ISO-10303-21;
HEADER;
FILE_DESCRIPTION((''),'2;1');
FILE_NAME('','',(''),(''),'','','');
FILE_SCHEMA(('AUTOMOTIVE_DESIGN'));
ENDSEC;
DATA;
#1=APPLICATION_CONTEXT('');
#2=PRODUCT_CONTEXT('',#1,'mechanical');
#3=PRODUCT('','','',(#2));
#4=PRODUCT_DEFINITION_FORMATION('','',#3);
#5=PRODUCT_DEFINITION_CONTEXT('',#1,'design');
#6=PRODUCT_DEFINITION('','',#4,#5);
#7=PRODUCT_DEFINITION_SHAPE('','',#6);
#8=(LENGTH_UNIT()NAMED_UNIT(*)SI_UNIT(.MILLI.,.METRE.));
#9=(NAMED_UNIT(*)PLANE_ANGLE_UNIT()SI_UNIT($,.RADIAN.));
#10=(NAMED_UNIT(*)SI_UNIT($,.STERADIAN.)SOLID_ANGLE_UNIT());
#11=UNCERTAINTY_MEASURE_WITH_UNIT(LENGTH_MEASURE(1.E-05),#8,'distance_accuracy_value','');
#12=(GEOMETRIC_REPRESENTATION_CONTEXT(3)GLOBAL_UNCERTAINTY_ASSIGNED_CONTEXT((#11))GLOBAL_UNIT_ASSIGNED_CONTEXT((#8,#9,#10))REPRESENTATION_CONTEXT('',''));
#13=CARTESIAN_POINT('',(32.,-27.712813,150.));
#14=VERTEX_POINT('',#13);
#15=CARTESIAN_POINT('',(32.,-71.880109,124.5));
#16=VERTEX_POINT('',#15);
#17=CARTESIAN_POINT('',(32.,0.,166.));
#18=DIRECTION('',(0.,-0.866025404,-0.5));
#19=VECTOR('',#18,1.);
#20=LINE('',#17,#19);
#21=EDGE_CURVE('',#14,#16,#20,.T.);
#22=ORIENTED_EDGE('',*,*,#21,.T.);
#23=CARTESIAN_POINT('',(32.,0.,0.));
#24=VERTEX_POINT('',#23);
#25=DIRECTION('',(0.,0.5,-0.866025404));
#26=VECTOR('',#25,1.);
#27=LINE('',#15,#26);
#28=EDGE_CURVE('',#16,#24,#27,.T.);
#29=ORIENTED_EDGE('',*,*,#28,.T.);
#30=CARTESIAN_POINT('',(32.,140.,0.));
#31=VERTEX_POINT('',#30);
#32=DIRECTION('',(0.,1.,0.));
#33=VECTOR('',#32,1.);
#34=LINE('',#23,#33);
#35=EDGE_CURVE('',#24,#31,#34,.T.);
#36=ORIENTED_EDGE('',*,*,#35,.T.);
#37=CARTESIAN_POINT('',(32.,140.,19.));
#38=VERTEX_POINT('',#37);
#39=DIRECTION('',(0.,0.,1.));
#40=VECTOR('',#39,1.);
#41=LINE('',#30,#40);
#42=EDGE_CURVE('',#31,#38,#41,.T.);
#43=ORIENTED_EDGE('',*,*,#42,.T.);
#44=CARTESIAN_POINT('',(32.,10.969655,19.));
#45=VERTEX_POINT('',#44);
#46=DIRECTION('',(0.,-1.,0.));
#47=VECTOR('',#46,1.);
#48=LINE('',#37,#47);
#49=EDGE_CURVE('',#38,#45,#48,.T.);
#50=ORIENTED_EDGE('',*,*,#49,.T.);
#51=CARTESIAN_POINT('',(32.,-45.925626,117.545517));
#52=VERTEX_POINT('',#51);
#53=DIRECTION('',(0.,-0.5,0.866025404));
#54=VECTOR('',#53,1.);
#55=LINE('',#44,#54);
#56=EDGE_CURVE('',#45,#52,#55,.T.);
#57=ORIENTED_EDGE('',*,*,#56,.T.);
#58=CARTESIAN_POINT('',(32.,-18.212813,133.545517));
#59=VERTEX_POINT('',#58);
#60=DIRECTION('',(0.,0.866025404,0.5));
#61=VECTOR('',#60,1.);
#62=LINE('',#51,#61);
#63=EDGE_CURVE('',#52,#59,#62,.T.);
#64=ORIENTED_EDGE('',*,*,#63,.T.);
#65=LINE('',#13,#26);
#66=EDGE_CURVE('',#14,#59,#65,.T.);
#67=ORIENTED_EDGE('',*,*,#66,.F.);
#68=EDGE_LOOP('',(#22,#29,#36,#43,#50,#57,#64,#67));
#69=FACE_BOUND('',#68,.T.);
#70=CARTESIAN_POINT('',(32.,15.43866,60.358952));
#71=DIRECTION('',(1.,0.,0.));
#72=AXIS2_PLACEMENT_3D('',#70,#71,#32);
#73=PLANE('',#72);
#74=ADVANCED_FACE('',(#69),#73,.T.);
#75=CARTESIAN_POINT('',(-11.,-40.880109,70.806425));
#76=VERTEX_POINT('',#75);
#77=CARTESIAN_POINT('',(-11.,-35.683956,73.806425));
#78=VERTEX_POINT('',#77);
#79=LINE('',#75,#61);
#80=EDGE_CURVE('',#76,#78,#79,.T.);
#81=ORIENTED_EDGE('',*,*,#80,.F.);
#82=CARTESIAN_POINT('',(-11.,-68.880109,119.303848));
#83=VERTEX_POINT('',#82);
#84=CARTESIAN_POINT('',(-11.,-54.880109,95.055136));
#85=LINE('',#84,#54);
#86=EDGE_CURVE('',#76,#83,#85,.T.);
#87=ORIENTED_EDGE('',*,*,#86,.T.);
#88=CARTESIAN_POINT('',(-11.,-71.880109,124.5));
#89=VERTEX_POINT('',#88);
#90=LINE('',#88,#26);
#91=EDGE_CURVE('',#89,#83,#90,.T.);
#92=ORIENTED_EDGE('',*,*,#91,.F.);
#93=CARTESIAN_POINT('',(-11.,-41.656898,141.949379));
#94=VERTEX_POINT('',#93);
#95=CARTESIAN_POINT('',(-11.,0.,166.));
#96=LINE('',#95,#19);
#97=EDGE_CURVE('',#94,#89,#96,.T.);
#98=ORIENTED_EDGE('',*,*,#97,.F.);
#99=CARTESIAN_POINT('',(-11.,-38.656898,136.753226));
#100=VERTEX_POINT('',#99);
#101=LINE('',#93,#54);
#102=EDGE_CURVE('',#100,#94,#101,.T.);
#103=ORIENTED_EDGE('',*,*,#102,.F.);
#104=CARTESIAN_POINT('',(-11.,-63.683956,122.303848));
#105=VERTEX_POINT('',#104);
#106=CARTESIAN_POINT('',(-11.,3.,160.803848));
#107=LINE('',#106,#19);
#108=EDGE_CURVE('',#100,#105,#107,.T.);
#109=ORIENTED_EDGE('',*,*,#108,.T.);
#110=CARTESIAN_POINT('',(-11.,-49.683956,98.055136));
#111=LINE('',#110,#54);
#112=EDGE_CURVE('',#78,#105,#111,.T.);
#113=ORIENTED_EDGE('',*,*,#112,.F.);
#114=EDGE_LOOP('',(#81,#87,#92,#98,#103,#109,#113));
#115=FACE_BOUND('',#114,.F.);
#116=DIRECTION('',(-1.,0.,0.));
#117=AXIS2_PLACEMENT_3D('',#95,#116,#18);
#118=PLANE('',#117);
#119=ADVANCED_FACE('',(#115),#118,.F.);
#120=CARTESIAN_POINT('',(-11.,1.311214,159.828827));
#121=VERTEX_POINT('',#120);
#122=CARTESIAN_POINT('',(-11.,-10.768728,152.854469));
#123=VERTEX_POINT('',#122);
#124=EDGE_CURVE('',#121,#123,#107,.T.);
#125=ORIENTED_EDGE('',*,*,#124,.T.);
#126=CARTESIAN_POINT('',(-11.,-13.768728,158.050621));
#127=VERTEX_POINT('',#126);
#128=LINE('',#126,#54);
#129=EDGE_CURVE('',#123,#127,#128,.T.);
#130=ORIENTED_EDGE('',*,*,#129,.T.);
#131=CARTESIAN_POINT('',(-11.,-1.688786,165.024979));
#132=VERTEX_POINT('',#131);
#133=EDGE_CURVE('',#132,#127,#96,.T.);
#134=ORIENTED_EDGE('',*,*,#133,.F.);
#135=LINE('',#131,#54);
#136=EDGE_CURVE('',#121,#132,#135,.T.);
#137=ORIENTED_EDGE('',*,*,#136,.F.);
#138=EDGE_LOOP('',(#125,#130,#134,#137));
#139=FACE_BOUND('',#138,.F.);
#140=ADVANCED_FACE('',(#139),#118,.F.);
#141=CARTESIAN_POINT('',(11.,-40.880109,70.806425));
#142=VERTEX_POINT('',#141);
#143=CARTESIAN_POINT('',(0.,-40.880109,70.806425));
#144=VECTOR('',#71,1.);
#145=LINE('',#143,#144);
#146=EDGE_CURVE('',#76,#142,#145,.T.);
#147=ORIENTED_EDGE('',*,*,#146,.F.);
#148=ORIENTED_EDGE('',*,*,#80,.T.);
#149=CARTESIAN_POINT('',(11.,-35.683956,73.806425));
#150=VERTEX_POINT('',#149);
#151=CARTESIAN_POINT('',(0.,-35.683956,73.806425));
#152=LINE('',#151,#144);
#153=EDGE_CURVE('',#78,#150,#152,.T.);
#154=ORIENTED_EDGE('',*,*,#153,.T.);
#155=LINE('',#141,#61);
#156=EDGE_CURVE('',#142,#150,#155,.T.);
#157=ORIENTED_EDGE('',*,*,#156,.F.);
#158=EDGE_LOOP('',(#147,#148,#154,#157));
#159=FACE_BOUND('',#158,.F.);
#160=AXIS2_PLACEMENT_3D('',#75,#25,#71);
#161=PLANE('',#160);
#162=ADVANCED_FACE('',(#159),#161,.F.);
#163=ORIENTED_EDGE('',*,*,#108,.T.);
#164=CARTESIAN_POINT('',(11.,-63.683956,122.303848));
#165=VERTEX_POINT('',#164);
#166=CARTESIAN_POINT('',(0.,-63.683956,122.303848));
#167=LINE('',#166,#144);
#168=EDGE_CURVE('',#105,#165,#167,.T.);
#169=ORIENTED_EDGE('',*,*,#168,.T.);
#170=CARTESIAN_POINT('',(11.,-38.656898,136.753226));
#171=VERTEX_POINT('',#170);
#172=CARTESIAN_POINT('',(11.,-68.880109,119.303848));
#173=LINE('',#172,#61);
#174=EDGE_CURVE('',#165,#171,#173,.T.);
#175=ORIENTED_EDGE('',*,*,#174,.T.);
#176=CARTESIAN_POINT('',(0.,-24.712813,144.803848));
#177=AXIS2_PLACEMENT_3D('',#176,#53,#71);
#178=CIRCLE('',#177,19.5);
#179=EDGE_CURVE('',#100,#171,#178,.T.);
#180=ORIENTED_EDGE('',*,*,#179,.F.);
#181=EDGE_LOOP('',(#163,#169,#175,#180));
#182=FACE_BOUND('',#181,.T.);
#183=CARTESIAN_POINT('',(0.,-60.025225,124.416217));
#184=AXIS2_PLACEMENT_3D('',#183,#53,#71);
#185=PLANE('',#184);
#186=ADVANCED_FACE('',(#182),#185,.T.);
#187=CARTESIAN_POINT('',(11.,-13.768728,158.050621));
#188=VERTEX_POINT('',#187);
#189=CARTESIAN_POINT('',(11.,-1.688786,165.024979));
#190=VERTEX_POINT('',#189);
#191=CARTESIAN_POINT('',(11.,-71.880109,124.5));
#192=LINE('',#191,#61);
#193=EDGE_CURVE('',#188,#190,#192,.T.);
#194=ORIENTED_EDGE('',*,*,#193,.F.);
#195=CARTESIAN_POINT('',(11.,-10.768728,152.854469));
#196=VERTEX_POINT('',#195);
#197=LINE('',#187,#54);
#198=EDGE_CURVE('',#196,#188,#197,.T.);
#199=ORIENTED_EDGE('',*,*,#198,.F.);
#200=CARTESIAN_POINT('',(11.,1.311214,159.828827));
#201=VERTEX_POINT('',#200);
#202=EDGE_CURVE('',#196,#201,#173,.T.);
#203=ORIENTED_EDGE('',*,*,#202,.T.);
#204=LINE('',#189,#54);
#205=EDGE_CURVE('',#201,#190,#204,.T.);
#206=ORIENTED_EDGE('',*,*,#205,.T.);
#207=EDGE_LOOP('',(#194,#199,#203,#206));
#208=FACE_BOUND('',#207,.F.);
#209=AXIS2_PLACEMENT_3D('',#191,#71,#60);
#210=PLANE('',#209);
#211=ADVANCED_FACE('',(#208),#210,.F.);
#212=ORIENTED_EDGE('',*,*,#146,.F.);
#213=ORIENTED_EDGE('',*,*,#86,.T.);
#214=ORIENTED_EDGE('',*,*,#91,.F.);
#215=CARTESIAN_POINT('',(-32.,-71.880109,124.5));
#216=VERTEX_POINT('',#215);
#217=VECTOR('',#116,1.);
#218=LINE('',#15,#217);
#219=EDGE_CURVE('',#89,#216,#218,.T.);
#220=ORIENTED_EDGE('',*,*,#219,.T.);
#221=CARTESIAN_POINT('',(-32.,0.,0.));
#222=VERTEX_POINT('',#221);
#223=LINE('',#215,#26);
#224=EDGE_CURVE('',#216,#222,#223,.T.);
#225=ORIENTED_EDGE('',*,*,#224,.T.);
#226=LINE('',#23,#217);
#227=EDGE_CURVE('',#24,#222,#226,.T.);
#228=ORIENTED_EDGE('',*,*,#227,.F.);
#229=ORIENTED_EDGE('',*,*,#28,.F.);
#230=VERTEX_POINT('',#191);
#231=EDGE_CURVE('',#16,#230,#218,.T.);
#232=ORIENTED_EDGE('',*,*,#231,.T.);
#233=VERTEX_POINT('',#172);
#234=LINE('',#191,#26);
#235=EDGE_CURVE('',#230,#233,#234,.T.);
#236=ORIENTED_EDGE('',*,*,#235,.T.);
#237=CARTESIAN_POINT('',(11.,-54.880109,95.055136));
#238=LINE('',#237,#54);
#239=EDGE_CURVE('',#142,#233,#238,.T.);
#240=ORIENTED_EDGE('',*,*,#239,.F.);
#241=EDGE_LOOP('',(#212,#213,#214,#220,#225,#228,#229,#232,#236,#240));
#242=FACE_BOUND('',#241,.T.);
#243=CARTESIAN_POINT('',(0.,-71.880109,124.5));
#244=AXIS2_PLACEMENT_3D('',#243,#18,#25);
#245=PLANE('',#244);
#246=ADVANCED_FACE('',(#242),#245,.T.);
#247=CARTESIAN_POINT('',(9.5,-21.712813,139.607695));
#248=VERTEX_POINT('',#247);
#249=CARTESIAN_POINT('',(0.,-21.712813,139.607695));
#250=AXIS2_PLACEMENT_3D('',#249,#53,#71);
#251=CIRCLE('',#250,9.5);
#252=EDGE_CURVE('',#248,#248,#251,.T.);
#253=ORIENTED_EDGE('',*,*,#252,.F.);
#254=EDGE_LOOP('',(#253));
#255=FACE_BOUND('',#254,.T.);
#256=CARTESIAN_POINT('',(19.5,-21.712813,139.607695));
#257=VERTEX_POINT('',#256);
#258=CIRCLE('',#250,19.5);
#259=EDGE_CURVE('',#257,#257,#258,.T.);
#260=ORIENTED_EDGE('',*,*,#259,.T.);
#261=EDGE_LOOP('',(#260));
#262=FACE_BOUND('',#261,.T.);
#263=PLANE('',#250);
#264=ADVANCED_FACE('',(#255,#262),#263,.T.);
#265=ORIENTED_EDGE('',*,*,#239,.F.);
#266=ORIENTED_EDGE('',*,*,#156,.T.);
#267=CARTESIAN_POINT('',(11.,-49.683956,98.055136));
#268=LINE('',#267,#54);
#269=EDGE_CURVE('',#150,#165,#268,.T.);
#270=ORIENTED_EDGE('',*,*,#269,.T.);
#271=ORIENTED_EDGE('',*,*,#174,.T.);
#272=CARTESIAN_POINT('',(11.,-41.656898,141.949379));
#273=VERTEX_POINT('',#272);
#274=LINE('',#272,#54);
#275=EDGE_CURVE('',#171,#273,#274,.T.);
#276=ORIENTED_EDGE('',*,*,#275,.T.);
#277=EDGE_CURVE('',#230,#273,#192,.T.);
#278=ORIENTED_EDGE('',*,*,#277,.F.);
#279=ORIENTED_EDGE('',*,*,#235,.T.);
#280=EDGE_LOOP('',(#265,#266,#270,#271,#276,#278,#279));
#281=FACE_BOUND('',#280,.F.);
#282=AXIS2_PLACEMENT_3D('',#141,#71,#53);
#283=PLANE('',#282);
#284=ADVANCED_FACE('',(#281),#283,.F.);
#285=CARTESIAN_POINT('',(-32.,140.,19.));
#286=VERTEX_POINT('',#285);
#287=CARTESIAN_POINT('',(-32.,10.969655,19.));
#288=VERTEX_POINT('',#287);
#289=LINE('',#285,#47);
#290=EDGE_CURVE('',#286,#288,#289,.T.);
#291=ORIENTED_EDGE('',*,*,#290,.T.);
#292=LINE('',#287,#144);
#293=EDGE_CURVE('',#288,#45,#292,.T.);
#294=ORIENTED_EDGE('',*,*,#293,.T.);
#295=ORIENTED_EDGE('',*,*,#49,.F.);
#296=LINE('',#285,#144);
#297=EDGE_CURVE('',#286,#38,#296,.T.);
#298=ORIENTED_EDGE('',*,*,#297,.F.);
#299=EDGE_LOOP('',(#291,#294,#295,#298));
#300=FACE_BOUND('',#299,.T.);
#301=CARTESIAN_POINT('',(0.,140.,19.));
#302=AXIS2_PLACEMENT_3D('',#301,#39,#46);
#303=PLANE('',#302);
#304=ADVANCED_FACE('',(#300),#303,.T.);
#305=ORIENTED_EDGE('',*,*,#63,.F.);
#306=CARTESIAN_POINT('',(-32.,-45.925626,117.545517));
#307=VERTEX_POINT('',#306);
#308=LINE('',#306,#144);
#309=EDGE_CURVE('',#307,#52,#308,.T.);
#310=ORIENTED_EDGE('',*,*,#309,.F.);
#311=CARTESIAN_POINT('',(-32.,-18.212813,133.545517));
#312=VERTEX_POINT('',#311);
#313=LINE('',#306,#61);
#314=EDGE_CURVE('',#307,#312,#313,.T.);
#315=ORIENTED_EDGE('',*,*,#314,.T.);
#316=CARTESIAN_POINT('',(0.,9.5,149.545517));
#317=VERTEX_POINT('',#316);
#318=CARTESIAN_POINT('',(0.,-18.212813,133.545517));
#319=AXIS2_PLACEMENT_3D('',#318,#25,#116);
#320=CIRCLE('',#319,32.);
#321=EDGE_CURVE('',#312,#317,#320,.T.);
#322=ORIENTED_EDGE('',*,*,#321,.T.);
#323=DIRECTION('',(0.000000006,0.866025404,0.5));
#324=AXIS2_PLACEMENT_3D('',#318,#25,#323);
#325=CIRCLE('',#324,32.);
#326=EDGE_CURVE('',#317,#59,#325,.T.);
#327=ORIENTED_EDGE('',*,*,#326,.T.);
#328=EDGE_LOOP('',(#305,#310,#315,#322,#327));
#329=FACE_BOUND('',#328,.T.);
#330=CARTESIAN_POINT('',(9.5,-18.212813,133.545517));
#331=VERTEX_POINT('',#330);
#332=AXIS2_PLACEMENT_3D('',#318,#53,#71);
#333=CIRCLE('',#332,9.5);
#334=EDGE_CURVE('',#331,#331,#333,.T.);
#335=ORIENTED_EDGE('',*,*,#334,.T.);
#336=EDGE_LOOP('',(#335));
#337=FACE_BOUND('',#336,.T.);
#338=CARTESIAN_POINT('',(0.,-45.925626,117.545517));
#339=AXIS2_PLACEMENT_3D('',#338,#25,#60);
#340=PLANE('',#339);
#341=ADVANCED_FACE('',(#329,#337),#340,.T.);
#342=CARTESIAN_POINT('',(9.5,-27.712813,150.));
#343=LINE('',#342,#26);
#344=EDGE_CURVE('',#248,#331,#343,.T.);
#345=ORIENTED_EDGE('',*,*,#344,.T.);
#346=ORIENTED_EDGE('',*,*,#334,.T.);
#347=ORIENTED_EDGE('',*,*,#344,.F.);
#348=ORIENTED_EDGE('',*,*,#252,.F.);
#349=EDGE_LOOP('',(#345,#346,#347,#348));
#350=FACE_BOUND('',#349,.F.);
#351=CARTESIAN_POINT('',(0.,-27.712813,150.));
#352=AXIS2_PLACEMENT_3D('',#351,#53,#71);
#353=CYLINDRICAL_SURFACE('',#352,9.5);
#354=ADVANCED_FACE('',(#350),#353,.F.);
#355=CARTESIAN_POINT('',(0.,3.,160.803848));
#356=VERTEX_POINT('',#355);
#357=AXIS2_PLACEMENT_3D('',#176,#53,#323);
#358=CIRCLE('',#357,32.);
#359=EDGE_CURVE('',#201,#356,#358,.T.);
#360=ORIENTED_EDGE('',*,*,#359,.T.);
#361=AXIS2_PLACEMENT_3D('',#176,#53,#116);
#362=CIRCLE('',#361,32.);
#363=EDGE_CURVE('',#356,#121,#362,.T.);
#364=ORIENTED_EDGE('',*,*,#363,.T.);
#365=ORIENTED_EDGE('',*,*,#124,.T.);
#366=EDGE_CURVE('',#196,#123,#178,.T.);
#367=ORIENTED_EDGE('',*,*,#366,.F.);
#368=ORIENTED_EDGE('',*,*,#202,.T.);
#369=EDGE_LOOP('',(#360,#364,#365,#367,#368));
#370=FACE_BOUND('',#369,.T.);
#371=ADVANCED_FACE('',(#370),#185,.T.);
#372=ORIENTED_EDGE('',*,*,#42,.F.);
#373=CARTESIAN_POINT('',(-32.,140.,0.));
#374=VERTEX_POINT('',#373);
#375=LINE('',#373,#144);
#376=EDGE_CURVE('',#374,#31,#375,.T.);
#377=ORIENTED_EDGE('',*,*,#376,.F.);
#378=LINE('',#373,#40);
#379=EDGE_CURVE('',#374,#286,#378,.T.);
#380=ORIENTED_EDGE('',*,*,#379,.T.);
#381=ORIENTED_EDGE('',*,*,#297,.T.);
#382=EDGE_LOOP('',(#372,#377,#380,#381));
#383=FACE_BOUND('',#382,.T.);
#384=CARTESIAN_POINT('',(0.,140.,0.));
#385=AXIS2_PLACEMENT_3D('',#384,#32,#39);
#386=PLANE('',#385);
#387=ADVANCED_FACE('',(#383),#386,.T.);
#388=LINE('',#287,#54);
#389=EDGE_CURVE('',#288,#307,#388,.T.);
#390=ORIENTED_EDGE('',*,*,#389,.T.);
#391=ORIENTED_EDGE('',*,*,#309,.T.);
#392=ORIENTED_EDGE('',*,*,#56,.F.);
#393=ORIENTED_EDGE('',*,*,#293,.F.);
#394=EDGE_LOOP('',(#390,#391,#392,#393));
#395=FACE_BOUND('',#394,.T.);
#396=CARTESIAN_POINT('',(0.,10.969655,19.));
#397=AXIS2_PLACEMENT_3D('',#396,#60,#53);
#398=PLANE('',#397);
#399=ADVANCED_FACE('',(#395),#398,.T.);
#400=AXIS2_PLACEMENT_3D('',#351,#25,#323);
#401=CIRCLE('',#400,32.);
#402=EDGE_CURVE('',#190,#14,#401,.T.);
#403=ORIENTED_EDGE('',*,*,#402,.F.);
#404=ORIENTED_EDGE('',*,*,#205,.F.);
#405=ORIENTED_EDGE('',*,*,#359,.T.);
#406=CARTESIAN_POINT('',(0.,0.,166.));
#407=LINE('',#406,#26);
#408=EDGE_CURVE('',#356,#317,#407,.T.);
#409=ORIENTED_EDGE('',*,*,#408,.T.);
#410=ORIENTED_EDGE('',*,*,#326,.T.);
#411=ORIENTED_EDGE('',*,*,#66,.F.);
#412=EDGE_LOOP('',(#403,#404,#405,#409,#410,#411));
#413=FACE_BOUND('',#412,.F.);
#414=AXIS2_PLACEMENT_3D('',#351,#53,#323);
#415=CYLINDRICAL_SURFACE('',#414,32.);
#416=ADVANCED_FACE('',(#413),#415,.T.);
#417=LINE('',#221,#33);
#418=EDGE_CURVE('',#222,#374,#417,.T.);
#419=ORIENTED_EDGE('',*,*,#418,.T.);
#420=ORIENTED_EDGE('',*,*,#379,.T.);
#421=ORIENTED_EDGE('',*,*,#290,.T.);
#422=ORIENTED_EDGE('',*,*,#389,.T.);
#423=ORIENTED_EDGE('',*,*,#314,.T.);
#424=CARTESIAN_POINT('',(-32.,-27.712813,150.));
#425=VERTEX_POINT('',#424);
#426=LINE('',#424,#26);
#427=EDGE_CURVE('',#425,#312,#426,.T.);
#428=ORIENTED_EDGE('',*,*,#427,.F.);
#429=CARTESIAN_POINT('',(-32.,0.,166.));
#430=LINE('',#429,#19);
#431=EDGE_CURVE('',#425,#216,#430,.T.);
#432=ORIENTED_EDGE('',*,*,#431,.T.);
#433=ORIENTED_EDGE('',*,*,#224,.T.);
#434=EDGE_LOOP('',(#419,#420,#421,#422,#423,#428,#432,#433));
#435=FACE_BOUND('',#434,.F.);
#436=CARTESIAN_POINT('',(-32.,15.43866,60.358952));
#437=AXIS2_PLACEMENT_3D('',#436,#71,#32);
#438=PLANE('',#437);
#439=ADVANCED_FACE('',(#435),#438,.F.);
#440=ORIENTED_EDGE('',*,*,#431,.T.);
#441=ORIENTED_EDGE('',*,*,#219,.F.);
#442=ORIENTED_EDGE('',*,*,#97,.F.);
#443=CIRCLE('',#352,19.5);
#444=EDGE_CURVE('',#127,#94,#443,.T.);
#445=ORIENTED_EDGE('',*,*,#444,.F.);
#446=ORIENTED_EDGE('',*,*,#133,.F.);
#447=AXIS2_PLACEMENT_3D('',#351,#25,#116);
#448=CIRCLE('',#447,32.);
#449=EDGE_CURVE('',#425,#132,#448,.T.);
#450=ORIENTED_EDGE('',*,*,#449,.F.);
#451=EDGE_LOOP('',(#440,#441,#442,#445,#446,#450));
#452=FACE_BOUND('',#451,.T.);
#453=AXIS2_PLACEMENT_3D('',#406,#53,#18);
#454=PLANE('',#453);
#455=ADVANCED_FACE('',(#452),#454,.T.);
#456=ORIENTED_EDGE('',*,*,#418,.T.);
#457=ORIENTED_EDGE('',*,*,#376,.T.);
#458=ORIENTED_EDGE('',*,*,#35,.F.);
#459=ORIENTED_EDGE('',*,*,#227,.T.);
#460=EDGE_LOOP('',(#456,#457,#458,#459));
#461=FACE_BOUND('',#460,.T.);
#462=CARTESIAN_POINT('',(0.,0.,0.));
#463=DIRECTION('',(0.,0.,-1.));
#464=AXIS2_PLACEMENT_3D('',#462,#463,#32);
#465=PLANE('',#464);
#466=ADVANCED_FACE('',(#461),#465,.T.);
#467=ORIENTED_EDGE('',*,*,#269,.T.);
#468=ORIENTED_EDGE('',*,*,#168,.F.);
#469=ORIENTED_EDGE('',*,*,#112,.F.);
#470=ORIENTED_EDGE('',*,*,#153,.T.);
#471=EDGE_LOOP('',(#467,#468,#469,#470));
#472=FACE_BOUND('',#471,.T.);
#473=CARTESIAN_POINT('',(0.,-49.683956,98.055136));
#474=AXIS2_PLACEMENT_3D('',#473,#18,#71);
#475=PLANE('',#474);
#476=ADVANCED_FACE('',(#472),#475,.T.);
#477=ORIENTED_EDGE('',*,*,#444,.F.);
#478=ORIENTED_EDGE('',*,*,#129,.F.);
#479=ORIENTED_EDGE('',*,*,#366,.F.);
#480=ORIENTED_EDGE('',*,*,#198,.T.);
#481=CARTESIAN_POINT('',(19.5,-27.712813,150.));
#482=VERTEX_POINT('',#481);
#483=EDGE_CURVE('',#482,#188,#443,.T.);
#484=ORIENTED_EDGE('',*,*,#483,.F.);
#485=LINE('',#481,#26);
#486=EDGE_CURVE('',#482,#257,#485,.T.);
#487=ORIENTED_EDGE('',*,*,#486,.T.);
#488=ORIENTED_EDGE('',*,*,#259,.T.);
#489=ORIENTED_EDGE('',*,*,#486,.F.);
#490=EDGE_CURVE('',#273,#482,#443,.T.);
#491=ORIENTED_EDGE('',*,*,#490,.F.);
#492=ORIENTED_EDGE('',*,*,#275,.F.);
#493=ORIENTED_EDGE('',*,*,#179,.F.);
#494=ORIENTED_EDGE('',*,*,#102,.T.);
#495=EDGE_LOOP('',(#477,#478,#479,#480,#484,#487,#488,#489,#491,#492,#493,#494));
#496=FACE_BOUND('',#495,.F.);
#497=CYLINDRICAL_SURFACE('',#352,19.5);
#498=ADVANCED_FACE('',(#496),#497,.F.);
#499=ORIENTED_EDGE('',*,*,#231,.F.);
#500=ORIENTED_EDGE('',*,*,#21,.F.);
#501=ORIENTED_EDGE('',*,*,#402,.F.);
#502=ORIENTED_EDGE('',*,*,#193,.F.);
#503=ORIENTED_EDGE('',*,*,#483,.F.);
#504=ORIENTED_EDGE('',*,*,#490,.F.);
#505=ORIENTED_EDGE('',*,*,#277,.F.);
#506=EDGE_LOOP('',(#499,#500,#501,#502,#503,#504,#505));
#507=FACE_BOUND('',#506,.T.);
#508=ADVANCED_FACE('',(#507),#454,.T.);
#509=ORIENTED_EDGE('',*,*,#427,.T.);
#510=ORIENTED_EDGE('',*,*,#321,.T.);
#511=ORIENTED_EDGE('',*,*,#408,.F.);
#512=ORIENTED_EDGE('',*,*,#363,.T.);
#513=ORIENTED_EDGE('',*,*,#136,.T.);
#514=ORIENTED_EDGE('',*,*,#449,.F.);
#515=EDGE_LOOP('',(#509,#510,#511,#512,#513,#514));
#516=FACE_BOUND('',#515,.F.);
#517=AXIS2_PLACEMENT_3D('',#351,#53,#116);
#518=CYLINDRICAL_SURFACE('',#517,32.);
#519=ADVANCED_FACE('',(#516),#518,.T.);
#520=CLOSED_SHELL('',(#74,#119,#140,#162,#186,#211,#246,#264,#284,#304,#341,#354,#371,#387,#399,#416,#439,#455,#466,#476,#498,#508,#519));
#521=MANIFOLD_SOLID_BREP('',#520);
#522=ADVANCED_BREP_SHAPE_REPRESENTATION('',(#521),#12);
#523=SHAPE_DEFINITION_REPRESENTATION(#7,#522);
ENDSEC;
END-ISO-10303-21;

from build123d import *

# Parameters (mm, degrees)
F1_DEPTH = 32
F2_R     = 9.5
F3_DEPTH = 19
F2_R_2   = 19.5
F4_DEPTH = 12
F6_DEPTH = 6
F7_W     = 22
F7_H     = 56
F8_DEPTH = 6


with BuildPart() as f1:
    # F0 (on Right) → F1 (new body, symmetric)
    with BuildSketch(Plane.YZ):
        Polygon((0, 0), (140, 0), (140, 19), (10.9696551146, 19), (-45.9256258422, 117.5455173281), (9.5, 149.5455173281), (0, 166), (-71.8801085141, 124.5), align=None)
    extrude(amount=F1_DEPTH, both=True)

    # F2 (on face) → F3 (cut, through all)
    with BuildSketch(Plane(origin=(0, -71.8801085141, 124.5), x_dir=(1, 0, 0), z_dir=(0, -0.5, 0.8660254038))):
        with BuildLine():
            ThreePointArc((2.022e-07, 83), (22.6274170695, 73.6274169265), (32, 51))
            Line((32, 51), (32, 83))
            Line((32, 83), (2.022e-07, 83))
        make_face()
        with BuildLine():
            ThreePointArc((-32, 51), (-22.6274169265, 73.6274170695), (2.022e-07, 83))
            Line((2.022e-07, 83), (-32, 83))
            Line((-32, 83), (-32, 51))
        make_face()
        with Locations((0, 51)):
            Circle(F2_R)
    extrude(amount=-F3_DEPTH, mode=Mode.SUBTRACT)

    # F2 (on face) → F4 (cut)
    with BuildSketch(Plane(origin=(0, -71.8801085141, 124.5), x_dir=(1, 0, 0), z_dir=(0, -0.5, 0.8660254038))):
        with Locations((0, 51)):
            Circle(F2_R_2)
        with Locations((0, 51)):
            Circle(F2_R, mode=Mode.SUBTRACT)
    extrude(amount=-F4_DEPTH, mode=Mode.SUBTRACT)

    # F5 (on face) → F6 (cut)
    with BuildSketch(Plane(origin=(0, -71.8801085141, 124.5), x_dir=(1, 0, 0), z_dir=(0, -0.5, 0.8660254038))):
        with BuildLine():
            Line((-11, 0), (11, 0))
            Line((11, 0), (11, 20.9500415974))
            ThreePointArc((11, 20.9500415974), (0, 19), (-11, 20.9500415974))
            Line((-11, 20.9500415974), (-11, 0))
        make_face()
        with BuildLine():
            ThreePointArc((-11, 20.9500415974), (0, 19), (11, 20.9500415974))
            Line((11, 20.9500415974), (11, 83))
            Line((11, 83), (-11, 83))
            Line((-11, 83), (-11, 20.9500415974))
        make_face()
    extrude(amount=-F6_DEPTH, mode=Mode.SUBTRACT)

    # F7 (on face) → F8 (cut)
    with BuildSketch(Plane(origin=(0, 0, 0), x_dir=(1, 0, 0), z_dir=(0, -0.8660254038, -0.5))):
        with Locations((0, 109.7602170282)):
            Rectangle(F7_W, F7_H)
    extrude(amount=-F8_DEPTH, mode=Mode.SUBTRACT)


solid = f1.part
